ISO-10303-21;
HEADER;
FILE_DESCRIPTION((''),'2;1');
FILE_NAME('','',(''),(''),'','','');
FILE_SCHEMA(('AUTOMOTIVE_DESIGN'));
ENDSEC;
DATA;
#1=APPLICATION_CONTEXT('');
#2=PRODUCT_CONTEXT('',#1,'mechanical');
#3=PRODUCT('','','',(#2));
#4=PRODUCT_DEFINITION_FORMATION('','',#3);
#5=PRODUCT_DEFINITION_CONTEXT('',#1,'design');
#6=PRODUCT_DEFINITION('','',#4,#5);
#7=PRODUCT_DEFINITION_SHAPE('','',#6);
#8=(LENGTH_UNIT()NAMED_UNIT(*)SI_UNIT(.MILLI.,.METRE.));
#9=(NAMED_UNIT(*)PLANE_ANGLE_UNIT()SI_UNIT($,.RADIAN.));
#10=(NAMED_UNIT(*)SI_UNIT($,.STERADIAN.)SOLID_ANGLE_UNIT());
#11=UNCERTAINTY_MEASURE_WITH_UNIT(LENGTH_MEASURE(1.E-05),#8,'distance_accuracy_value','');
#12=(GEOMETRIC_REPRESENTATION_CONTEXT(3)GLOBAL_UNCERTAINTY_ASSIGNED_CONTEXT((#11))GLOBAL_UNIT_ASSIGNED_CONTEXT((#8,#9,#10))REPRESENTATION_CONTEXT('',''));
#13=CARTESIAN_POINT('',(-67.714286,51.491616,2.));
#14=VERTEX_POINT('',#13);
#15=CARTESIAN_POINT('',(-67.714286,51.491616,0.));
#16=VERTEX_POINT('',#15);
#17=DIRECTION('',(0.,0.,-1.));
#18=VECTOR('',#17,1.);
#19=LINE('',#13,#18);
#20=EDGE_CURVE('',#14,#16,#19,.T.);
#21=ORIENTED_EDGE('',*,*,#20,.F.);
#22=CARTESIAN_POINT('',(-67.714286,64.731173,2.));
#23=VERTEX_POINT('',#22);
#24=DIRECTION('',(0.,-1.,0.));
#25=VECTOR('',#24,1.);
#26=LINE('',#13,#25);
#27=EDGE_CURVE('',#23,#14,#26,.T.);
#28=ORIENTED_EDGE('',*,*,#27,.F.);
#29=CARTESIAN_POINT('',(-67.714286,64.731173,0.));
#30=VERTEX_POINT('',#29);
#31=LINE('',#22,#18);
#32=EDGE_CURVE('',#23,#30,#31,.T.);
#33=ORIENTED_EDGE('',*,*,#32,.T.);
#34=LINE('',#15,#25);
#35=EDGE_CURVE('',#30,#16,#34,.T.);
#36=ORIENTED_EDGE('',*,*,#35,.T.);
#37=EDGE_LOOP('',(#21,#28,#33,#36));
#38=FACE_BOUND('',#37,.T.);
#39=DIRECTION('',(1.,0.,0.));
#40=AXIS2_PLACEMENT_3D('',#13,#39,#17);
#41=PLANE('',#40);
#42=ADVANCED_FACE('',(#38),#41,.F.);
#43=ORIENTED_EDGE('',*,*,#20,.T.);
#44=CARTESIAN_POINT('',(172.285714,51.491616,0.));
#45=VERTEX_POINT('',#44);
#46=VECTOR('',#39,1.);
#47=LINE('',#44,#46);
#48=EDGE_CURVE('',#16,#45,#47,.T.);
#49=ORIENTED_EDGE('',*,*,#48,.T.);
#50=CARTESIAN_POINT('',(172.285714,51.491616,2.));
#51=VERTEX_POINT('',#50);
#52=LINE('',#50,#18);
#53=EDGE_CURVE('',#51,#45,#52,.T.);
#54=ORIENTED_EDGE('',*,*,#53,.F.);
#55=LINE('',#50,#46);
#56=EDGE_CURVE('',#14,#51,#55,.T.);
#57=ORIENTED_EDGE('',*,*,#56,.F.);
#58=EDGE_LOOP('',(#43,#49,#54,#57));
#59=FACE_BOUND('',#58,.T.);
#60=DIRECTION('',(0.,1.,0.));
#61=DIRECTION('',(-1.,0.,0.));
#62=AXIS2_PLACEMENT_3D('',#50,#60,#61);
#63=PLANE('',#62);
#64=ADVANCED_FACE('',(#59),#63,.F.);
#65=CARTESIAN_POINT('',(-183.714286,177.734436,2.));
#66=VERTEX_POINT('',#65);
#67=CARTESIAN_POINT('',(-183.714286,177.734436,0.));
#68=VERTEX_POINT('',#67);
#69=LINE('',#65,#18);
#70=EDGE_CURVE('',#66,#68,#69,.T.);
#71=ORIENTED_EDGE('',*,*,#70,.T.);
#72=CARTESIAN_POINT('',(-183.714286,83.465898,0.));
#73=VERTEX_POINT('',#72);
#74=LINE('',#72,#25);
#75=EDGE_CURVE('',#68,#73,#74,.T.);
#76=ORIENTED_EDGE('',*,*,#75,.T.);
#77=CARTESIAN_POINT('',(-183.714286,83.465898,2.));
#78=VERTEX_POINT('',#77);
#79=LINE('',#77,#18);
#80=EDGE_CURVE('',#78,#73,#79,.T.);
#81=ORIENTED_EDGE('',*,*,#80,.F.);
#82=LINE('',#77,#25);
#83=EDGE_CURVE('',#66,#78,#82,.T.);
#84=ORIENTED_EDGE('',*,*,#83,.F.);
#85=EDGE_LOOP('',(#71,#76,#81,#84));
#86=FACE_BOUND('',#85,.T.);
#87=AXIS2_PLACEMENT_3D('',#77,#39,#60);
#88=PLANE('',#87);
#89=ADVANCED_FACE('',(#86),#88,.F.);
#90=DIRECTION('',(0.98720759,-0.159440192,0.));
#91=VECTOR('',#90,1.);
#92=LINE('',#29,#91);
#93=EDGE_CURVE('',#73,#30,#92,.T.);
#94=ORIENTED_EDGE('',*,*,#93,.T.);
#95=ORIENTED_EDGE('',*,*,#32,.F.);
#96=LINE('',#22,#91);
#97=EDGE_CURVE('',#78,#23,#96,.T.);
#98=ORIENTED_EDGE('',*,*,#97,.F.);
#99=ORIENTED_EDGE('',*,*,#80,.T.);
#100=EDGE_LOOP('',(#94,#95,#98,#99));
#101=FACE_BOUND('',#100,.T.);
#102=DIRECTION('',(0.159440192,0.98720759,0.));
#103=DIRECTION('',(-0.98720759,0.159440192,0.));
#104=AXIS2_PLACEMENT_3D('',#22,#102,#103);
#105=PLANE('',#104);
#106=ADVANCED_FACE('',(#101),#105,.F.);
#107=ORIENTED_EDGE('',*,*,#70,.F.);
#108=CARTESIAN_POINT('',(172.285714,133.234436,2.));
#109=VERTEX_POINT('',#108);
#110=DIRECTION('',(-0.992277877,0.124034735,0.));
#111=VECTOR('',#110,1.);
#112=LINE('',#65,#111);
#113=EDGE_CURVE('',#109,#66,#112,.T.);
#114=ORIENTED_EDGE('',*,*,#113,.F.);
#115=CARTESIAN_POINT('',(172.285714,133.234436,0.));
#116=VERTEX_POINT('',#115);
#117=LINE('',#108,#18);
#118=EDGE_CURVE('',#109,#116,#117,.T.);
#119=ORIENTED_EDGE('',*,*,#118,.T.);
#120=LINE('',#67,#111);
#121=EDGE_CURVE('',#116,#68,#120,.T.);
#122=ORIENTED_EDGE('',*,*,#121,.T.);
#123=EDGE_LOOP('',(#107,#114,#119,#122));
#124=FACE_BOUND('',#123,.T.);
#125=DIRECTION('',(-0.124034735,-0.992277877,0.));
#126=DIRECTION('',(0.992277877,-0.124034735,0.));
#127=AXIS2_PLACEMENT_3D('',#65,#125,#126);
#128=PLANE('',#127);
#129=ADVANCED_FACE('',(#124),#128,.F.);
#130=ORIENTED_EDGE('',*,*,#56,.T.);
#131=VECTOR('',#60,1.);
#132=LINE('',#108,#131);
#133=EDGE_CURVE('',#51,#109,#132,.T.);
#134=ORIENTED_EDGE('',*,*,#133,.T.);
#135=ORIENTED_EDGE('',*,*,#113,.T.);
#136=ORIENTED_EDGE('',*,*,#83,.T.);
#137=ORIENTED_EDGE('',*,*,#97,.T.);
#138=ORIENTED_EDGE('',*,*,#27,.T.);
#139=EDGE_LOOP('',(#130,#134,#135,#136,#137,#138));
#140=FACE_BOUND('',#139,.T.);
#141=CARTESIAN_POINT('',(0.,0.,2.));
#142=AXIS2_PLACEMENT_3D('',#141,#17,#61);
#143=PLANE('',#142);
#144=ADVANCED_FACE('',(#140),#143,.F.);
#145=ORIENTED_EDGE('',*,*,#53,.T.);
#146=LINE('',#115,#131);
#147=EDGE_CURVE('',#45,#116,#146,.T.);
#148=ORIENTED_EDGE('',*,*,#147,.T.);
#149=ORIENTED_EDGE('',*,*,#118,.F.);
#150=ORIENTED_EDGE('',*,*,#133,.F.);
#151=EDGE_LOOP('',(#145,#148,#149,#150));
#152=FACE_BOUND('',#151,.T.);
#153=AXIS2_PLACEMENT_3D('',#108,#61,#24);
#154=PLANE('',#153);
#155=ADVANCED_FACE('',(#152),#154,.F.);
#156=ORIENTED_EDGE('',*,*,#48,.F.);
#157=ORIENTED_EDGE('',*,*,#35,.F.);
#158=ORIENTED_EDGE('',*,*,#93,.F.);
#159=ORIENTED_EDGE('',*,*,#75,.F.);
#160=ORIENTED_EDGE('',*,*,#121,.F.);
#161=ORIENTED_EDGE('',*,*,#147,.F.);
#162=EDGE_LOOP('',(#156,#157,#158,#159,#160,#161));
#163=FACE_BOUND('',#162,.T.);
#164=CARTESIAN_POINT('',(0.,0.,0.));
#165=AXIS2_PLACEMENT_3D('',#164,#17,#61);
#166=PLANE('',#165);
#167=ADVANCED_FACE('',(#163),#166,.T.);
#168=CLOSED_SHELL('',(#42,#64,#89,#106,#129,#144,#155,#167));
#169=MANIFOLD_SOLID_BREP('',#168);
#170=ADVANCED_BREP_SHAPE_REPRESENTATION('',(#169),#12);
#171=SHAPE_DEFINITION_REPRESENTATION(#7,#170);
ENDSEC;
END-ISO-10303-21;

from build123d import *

# Parameters (mm, degrees)
BOSS_EXTRUDE1_DEPTH = 2


with BuildPart() as part:
    # Sketch1 → Boss-Extrude1 (new body)
    with BuildSketch(Plane.XY):
        Polygon((172.285714286, 133.234435563), (172.285714286, 51.491616474), (-67.714285714, 51.491616474), (-67.714285714, 64.731173228), (-183.714285714, 83.465897748), (-183.714285714, 177.734435563), align=None)
    extrude(amount=BOSS_EXTRUDE1_DEPTH)


solid = part.part
